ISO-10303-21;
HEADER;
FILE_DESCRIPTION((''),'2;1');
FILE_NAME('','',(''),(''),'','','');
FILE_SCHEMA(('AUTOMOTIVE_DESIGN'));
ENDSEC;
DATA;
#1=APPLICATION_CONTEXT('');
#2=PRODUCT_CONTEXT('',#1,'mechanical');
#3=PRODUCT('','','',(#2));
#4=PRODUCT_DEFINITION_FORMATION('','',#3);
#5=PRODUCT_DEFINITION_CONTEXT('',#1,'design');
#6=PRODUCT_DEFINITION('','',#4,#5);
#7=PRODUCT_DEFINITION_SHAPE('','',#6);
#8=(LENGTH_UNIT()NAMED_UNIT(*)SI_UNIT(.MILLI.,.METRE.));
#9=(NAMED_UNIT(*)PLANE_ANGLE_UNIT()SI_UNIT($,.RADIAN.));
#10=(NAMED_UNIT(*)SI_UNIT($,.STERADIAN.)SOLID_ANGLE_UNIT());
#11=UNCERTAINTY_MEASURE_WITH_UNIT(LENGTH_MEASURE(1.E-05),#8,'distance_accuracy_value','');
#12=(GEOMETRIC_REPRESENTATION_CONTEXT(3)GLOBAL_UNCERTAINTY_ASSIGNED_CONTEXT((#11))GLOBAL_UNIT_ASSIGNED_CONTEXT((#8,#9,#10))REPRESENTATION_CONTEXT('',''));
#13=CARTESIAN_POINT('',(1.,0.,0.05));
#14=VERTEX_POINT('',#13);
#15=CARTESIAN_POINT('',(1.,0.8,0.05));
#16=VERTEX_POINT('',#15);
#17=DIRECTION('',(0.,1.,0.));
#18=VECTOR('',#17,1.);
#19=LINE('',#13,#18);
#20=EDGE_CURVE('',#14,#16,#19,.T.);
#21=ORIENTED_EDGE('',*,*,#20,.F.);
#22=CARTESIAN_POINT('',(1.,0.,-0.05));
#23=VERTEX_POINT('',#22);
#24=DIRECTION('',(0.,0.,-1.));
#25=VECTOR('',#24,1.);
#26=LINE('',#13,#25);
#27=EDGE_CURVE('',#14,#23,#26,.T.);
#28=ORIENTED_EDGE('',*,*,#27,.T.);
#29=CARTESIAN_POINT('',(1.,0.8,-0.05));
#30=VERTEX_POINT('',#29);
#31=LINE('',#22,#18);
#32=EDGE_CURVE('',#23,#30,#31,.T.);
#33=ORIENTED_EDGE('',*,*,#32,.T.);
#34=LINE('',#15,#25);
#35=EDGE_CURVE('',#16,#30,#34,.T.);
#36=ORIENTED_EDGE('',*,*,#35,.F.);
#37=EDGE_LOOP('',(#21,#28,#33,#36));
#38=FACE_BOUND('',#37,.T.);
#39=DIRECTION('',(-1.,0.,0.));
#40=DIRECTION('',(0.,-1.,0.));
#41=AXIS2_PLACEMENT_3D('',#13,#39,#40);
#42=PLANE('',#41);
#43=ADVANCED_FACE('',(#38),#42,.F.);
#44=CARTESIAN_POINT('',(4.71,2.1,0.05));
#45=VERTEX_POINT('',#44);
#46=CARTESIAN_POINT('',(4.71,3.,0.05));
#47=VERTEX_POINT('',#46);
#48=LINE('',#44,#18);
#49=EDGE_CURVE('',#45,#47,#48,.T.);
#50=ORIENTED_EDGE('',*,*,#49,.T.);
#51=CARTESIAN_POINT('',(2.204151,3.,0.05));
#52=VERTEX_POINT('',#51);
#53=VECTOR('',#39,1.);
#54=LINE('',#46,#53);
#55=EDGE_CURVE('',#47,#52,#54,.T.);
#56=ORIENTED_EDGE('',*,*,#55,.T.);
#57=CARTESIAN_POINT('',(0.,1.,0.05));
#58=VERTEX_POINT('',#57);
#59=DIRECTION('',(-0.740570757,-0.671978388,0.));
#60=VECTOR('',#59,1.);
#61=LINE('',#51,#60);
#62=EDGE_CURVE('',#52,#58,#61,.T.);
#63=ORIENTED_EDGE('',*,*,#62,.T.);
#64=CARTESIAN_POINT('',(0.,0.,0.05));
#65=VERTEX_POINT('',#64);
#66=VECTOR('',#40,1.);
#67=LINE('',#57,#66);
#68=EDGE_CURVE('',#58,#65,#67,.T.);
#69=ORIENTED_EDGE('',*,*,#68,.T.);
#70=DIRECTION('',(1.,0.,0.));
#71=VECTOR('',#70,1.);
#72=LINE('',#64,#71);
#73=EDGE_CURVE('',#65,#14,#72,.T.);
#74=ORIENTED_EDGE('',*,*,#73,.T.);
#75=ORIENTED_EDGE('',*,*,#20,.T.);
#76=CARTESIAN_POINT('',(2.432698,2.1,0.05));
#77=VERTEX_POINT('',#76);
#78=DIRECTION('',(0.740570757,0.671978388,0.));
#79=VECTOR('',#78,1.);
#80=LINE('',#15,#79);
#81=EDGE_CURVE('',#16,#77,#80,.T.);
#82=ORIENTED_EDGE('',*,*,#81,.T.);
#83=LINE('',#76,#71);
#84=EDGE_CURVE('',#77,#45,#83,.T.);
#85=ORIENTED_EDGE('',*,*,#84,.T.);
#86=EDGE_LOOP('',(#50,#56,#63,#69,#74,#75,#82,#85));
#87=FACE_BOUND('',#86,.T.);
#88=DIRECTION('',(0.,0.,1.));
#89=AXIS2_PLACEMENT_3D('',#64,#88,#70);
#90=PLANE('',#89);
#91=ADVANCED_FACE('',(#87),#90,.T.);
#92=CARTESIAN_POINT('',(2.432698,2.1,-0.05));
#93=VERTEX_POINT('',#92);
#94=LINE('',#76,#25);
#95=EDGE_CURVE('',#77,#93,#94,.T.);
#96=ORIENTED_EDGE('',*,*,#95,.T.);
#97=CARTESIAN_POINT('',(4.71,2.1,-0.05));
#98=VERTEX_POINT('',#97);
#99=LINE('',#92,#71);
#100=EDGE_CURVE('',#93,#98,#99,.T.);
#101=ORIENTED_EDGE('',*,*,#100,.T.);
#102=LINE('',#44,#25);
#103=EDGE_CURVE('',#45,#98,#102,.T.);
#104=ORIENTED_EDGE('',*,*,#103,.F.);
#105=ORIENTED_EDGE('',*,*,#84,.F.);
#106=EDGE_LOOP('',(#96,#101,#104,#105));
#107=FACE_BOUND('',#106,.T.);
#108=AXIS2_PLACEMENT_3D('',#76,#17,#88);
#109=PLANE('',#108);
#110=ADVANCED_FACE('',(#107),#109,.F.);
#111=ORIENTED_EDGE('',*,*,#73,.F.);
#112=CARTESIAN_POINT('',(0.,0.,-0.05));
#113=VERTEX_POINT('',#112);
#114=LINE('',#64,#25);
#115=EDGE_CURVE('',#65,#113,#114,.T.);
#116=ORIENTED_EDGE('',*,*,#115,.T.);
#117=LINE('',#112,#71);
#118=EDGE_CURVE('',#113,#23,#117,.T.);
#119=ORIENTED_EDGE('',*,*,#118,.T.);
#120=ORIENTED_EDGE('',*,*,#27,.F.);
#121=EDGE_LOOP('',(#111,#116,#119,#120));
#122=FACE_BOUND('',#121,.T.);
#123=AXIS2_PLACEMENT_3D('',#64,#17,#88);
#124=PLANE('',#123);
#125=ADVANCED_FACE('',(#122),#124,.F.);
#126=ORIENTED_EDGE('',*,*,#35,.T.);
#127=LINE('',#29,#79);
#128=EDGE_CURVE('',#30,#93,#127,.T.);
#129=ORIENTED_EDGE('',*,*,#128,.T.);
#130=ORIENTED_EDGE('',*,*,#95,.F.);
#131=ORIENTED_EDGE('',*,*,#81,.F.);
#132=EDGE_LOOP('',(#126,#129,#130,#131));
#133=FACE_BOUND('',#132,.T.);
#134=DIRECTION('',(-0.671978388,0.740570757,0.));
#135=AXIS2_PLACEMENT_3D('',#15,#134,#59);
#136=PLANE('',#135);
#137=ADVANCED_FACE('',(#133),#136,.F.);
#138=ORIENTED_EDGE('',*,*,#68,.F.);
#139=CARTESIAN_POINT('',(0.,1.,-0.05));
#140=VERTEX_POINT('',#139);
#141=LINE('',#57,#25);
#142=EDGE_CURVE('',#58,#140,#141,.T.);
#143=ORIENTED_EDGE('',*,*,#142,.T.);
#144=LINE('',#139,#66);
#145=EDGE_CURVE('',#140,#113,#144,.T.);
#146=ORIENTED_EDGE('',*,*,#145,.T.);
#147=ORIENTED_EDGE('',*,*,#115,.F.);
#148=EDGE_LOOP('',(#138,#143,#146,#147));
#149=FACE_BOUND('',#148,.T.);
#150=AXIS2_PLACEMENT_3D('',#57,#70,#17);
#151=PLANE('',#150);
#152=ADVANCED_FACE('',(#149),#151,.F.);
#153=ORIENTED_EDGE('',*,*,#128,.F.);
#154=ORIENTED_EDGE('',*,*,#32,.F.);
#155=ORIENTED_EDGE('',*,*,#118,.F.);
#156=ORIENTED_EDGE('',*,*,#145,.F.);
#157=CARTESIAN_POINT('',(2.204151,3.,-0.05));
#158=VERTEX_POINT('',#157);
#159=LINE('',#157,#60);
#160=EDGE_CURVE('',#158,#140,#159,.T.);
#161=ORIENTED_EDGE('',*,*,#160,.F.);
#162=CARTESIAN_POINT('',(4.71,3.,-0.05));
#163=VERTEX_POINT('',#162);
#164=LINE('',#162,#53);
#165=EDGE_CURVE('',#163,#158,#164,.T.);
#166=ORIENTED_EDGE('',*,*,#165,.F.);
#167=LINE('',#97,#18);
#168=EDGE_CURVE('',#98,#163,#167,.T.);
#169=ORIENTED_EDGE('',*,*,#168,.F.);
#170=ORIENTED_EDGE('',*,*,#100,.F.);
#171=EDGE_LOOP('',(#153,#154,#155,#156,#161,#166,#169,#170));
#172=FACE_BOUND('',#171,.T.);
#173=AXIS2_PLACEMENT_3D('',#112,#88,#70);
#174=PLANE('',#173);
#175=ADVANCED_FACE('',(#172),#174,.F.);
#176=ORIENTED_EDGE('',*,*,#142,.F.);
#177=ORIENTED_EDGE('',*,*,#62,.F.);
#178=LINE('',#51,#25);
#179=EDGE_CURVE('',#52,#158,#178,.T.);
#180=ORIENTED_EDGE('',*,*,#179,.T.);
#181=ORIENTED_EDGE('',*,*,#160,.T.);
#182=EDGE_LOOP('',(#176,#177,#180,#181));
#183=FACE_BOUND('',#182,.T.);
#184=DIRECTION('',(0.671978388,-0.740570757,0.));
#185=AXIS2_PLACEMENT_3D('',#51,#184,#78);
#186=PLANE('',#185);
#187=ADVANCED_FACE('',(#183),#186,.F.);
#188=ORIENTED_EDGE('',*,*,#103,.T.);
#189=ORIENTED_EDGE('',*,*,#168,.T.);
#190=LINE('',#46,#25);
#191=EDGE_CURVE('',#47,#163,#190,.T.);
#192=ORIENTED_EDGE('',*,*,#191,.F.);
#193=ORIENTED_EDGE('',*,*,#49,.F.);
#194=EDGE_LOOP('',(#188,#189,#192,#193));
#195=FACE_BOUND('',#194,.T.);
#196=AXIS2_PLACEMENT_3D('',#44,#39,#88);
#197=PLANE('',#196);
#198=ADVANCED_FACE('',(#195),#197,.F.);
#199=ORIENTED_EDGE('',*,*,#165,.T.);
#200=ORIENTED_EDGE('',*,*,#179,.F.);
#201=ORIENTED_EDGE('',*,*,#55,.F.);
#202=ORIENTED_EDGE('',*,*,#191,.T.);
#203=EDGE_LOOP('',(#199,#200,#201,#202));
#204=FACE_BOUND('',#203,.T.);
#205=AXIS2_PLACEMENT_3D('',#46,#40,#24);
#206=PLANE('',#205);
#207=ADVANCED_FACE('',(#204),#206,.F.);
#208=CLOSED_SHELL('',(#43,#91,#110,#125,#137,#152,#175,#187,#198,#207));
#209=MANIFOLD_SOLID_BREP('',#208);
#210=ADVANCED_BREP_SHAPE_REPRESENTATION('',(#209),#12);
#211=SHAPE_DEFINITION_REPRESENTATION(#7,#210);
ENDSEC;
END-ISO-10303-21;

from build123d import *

# Parameters (mm, degrees)
BOSS_EXTRUDE1_DEPTH = 0.05


with BuildPart() as part:
    # Sketch1 → Boss-Extrude1 (new, symmetric)
    with BuildSketch(Plane.XY):
        Polygon((0, 0), (1, 0), (1, 0.8), (2.432697838, 2.1), (4.71, 2.1), (4.71, 3), (2.204150519, 3), (0, 1), align=None)
    extrude(amount=BOSS_EXTRUDE1_DEPTH, both=True)


solid = part.part
